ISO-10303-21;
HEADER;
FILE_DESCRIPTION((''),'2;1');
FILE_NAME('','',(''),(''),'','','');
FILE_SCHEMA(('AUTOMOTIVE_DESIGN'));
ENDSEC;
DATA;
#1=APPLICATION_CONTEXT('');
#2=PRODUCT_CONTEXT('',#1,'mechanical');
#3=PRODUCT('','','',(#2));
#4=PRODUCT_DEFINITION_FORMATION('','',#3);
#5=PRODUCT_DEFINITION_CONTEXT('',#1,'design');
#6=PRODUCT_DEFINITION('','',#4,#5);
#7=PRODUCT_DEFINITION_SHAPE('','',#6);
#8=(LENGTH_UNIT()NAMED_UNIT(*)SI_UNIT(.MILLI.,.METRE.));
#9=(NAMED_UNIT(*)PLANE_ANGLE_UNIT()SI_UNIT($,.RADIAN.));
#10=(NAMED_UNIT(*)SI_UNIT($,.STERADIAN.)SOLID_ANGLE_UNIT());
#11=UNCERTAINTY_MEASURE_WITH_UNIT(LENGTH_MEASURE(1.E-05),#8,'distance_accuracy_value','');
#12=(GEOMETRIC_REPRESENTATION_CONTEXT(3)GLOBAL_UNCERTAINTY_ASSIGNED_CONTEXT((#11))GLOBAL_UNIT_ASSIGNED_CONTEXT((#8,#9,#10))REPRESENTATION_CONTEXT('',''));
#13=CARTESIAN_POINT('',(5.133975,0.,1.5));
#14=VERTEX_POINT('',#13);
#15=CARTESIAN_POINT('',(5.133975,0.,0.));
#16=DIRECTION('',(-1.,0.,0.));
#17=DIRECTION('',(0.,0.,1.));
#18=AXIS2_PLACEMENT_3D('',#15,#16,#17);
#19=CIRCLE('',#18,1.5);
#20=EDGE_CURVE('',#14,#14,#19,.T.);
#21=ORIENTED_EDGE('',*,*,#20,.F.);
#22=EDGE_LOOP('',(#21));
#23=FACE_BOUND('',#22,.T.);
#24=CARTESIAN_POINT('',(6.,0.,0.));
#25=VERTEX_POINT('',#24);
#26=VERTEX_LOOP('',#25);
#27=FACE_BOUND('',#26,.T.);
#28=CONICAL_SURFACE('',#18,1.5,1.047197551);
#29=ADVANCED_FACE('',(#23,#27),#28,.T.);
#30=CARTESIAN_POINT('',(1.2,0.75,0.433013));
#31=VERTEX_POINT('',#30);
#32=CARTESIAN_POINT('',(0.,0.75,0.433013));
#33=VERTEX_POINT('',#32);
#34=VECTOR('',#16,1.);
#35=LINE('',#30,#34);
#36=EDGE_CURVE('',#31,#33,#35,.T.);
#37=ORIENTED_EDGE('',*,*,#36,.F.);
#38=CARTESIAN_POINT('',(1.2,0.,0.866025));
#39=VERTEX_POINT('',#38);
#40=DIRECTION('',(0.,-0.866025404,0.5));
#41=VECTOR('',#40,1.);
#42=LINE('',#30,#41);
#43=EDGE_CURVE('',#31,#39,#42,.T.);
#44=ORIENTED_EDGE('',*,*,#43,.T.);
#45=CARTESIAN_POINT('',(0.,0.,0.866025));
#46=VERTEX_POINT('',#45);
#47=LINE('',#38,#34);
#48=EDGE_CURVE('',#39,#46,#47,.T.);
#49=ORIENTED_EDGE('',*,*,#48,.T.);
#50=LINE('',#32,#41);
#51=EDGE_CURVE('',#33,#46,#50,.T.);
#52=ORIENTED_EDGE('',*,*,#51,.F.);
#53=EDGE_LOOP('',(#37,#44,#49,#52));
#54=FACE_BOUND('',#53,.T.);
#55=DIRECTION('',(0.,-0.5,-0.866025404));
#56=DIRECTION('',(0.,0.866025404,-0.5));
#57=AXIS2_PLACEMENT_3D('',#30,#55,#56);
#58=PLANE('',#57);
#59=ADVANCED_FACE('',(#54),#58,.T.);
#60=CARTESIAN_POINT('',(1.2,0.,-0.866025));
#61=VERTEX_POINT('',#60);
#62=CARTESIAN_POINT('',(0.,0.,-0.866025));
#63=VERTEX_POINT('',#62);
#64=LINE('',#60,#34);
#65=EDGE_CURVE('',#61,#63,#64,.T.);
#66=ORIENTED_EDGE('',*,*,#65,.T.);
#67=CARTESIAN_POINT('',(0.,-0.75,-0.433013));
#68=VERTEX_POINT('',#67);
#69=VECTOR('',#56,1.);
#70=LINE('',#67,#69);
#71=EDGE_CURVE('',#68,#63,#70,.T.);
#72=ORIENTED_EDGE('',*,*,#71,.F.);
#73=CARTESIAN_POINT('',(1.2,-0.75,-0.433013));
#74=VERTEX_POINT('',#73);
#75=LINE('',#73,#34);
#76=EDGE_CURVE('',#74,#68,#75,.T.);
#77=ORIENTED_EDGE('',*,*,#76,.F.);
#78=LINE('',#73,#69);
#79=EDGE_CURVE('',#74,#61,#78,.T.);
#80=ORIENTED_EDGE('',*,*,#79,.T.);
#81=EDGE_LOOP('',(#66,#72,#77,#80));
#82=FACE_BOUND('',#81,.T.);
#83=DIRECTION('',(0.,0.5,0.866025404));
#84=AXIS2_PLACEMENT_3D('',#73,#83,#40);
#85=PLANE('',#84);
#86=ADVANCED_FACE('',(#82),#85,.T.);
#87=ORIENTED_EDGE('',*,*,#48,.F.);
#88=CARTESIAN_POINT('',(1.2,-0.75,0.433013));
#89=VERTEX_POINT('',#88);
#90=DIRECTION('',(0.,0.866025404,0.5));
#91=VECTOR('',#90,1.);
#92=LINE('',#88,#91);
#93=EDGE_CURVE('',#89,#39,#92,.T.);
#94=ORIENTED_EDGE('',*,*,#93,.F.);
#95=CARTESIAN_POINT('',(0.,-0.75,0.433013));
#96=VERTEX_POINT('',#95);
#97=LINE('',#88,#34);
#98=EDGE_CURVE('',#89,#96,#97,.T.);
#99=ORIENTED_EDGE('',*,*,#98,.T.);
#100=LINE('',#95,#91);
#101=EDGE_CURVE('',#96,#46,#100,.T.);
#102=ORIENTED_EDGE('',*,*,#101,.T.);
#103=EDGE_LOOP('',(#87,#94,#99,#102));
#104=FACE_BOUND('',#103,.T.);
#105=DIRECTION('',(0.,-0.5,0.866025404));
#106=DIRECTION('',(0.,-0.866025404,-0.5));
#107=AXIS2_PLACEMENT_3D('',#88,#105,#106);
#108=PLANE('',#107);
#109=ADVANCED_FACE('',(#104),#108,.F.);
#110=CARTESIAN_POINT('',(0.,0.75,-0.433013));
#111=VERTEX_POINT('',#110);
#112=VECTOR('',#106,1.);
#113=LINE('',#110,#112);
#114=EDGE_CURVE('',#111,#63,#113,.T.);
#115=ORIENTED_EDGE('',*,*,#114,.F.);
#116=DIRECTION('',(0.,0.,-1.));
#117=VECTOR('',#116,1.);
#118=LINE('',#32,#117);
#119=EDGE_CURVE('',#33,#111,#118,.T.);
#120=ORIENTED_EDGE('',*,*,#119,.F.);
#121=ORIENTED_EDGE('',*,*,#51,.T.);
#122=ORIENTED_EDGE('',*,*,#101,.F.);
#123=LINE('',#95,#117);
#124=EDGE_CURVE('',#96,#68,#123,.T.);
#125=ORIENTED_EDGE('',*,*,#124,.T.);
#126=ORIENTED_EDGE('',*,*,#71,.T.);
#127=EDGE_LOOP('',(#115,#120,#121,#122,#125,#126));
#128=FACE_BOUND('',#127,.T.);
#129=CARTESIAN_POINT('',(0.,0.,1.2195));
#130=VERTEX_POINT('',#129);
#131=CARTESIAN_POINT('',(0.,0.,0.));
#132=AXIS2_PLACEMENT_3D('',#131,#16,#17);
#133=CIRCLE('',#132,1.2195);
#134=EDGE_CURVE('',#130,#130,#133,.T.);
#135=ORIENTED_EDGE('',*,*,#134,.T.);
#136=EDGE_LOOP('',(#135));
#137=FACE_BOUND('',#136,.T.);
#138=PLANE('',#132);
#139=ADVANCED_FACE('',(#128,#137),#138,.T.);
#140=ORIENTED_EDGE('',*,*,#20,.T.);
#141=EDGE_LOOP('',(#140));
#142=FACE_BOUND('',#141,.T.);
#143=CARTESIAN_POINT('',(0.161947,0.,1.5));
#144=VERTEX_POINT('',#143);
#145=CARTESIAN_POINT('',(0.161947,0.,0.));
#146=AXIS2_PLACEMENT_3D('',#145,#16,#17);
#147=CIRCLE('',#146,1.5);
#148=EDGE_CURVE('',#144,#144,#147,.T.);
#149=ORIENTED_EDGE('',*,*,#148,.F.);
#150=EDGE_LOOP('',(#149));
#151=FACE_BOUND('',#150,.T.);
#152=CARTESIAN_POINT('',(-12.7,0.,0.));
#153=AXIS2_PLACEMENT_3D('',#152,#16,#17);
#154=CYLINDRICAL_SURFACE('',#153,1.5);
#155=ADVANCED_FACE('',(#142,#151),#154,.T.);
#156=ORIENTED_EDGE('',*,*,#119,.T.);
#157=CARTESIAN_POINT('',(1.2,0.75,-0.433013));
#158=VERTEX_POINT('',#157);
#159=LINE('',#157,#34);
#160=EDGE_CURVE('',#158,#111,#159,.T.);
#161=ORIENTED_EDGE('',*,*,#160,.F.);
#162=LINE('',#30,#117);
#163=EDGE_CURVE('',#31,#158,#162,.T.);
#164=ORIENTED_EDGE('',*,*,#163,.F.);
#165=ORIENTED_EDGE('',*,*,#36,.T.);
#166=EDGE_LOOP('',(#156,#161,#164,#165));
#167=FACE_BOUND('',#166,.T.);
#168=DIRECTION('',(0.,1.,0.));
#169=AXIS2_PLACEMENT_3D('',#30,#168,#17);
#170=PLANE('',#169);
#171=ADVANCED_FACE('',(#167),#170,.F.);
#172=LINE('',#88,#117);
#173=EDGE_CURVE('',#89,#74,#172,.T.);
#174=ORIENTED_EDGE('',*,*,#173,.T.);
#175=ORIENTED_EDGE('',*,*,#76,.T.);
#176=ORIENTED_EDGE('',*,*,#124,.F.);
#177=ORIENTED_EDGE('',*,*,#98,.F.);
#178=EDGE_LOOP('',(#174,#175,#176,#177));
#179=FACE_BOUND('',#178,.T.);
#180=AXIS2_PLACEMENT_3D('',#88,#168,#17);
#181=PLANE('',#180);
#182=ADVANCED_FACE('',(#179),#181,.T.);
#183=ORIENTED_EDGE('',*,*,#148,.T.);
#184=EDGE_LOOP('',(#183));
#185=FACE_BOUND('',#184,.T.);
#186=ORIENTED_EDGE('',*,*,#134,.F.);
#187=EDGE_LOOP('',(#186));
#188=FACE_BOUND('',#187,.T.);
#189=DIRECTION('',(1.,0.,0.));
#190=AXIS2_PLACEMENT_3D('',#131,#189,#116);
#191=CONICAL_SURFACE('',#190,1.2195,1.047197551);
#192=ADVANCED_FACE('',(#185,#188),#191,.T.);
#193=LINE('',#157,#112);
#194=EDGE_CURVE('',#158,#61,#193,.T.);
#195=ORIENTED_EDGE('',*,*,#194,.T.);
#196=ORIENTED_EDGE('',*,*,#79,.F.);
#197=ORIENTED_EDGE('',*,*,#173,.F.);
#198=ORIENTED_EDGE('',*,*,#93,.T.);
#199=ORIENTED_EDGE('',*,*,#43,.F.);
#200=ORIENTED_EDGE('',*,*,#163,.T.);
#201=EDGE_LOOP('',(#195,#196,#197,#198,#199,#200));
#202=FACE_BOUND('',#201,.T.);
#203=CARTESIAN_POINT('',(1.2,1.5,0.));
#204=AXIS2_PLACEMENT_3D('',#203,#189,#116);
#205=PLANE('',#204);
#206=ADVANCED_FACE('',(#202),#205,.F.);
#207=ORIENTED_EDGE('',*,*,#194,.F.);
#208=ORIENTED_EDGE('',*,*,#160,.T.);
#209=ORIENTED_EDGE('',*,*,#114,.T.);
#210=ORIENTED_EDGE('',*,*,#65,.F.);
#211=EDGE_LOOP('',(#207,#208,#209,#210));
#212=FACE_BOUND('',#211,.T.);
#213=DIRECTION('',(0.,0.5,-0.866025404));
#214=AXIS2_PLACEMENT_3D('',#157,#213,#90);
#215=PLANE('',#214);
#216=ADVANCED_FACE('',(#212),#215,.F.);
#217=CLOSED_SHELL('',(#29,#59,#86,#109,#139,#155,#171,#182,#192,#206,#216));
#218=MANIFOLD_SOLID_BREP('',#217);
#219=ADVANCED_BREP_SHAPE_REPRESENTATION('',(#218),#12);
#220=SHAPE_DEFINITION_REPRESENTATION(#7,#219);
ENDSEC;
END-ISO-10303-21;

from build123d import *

# Parameters (mm, degrees)
HEX_2_DEPTH = 1.2


with BuildPart() as part:
    # BodySke → BaseBody (revolve)
    with BuildSketch(Plane.XY):
        Polygon((0, 0), (0, 1.2195), (0.161946751, 1.5), (5.133974596, 1.5), (6, 0), align=None)
    revolve(axis=Axis((-12.7, 0, 0), (1, 0, 0)))

    # Sketch2 → Hex 2 (cut)
    with BuildSketch(Plane.ZY):
        Polygon((0.433012702, 0.75), (-0.433012702, 0.75), (-0.866025404, 0), (-0.433012702, -0.75), (0.433012702, -0.75), (0.866025404, 0), align=None)
    extrude(amount=-HEX_2_DEPTH, mode=Mode.SUBTRACT)


solid = part.part
